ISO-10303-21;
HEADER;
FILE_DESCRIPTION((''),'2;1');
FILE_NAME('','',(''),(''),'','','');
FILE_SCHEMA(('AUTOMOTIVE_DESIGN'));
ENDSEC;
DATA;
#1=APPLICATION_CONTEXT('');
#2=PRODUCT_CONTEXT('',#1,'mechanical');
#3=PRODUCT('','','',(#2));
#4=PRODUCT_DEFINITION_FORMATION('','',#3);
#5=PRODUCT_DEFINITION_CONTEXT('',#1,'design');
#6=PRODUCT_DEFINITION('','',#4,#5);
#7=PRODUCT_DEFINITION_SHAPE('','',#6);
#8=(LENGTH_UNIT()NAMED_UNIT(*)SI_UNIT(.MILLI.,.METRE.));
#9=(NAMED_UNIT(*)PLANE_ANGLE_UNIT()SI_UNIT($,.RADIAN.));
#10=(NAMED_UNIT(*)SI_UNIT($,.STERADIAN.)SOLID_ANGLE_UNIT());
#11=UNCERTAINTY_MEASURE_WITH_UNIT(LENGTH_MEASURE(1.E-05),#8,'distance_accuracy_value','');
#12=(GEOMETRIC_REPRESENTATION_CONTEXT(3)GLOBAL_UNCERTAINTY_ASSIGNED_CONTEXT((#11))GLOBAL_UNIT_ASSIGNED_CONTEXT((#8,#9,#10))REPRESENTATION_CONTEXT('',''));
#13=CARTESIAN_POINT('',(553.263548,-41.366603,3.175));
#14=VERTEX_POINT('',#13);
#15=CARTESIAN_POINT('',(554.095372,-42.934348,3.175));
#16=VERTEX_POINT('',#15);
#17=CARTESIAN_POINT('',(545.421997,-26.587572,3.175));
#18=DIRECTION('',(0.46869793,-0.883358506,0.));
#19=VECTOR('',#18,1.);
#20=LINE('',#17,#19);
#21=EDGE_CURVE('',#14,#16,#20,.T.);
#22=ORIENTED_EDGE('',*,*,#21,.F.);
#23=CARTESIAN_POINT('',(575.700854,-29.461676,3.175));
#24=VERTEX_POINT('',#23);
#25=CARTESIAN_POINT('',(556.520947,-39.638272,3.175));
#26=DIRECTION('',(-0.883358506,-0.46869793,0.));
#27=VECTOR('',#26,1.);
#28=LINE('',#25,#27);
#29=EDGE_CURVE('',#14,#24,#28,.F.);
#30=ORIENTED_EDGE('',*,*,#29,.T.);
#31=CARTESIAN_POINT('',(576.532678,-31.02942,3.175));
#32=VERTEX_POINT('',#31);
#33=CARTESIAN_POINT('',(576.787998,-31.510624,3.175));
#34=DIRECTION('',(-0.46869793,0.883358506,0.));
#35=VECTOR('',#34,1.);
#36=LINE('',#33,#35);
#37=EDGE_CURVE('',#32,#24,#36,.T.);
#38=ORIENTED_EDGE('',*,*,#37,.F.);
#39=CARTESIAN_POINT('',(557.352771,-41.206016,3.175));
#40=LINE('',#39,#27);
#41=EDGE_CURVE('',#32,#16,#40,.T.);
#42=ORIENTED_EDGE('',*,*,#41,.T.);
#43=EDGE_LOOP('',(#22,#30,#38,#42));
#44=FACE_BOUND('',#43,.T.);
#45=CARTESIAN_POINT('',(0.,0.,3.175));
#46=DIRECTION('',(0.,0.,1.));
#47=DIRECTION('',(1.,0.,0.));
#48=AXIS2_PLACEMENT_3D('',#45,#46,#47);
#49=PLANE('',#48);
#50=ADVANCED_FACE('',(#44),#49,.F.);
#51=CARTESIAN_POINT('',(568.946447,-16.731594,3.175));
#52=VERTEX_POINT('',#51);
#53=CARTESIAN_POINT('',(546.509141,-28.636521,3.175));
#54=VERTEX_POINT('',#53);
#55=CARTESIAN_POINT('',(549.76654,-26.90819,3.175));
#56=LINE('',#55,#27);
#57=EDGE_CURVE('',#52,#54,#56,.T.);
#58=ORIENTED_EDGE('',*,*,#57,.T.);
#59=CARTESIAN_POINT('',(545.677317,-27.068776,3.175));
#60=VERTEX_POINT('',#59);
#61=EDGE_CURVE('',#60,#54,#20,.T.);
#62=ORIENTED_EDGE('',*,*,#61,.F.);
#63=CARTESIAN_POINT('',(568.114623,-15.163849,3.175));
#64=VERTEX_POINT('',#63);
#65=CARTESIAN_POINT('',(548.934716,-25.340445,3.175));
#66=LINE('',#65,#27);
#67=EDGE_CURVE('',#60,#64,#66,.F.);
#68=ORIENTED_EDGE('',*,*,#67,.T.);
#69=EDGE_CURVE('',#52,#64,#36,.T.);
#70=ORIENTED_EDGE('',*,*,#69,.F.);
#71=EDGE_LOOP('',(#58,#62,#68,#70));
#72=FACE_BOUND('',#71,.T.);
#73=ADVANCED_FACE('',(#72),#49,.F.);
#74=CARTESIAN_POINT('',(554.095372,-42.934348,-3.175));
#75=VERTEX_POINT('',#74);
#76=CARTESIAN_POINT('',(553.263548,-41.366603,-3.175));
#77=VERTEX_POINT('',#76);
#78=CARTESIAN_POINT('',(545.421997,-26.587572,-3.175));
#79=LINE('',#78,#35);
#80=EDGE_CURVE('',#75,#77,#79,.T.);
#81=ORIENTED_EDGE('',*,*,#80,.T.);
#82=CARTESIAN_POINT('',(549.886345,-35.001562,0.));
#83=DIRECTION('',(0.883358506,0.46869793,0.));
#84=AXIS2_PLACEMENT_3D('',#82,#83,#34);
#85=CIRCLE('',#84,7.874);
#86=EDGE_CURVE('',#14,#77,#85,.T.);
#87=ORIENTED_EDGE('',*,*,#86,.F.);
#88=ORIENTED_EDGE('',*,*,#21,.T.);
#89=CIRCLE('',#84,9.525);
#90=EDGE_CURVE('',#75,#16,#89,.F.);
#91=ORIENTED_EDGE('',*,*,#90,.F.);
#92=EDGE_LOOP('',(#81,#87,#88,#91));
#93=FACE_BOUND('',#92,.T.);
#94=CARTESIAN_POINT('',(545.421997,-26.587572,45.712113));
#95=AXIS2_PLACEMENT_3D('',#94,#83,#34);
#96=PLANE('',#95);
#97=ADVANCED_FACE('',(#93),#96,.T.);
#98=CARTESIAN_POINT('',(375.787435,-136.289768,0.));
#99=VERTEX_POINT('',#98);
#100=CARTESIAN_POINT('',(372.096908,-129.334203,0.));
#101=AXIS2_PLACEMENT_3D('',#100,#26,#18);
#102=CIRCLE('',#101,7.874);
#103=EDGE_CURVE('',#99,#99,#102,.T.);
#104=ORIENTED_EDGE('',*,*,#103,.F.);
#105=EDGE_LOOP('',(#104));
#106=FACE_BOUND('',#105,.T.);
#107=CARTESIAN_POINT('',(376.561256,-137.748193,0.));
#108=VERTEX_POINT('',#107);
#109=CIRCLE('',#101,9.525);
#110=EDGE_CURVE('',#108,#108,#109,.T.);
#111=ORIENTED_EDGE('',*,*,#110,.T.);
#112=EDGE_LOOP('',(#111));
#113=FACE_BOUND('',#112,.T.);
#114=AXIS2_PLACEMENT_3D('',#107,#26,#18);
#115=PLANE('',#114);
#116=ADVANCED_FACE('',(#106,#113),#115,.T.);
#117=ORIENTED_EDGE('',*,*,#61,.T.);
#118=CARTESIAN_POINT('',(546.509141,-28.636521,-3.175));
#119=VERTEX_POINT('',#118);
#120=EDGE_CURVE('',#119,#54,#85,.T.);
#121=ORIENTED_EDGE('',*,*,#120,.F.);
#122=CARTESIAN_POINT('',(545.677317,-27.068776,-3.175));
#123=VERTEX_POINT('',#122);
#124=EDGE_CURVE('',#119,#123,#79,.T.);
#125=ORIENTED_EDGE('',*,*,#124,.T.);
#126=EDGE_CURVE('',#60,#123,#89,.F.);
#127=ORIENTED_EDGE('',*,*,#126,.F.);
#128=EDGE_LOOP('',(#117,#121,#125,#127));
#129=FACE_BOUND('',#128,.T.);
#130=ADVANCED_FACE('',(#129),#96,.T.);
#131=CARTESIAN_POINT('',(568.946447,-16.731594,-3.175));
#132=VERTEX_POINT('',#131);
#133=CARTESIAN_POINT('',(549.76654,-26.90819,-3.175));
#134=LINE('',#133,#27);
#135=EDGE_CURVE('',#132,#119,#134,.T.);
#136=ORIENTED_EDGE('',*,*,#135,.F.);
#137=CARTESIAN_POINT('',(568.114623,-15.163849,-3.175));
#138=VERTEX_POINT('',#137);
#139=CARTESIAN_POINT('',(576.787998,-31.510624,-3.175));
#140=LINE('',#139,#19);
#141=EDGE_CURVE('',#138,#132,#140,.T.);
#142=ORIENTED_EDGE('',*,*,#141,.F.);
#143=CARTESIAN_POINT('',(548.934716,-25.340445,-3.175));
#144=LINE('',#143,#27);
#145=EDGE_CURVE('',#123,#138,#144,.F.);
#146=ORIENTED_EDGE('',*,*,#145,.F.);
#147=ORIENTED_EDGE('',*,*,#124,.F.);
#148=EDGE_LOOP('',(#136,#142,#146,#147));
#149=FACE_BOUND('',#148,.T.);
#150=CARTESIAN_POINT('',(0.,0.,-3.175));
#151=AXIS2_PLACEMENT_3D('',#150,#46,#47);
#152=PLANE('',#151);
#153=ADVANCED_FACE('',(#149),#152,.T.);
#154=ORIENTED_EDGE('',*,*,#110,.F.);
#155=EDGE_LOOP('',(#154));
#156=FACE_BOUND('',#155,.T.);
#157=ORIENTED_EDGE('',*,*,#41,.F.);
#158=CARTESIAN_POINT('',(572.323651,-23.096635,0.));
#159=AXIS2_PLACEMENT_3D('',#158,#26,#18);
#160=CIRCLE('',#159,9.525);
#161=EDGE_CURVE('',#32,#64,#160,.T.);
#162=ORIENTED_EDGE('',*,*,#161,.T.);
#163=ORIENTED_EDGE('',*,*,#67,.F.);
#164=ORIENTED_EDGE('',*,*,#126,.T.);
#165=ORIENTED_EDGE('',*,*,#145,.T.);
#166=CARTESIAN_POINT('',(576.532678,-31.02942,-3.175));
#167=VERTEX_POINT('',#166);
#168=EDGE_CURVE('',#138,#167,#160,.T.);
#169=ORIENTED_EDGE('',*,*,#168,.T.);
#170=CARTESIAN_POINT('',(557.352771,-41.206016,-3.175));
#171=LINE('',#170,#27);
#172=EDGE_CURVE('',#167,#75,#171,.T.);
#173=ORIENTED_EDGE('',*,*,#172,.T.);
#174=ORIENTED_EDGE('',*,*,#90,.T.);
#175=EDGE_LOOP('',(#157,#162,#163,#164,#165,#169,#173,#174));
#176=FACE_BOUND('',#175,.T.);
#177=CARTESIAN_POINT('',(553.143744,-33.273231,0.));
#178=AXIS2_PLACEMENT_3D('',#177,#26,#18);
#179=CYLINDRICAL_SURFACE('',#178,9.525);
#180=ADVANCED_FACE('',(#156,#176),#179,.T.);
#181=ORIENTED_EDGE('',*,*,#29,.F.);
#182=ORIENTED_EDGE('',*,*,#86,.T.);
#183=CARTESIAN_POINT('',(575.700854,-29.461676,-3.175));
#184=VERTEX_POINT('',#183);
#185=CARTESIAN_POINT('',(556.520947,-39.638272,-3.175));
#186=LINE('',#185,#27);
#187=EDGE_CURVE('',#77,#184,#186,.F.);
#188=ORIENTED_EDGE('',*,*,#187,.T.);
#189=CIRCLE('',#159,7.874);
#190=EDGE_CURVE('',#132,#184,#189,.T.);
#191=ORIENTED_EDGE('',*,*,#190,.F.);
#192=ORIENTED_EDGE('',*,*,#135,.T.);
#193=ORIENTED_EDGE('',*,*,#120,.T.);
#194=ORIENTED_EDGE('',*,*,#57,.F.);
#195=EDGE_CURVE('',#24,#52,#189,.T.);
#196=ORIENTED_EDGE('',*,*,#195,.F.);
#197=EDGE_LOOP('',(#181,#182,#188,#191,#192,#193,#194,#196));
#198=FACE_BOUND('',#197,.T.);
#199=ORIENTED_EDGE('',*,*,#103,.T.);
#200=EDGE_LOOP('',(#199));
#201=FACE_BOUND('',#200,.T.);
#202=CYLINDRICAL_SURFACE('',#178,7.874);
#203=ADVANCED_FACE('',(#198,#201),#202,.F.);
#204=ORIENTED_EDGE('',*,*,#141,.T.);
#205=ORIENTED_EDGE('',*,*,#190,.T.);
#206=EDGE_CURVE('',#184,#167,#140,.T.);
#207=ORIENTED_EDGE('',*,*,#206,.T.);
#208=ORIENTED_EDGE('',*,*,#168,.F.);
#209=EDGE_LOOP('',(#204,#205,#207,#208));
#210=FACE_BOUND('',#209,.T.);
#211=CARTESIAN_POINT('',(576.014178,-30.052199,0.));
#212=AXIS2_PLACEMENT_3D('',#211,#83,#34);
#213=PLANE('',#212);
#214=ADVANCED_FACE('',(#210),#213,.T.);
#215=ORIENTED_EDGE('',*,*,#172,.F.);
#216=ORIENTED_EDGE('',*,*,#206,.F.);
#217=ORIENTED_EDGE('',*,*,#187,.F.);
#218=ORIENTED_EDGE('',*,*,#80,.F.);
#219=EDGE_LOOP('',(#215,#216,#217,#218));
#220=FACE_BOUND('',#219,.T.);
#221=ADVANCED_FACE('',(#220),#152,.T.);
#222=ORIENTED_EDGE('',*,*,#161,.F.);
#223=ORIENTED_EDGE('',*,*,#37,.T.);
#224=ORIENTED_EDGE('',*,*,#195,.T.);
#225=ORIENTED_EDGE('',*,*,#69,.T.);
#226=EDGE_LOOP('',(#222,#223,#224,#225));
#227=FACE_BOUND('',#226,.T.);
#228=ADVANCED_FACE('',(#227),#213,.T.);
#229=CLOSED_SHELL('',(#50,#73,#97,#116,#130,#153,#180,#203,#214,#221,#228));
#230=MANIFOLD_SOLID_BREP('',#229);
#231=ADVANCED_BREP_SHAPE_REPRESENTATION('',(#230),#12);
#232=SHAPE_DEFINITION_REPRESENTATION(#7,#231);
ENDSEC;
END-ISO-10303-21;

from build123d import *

# Parameters (mm, degrees)
CUT_EXTRUDE1_START = -3.175
CUT_EXTRUDE1_DEPTH = 6.35


with BuildPart() as part:
    # Sketch1 → Revolve1 (revolve)
    with BuildSketch(Plane.XY):
        Polygon((375.787435481, -136.289767997), (576.014178169, -30.052199471), (576.787998451, -31.510624365), (376.561255763, -137.74819289), align=None)
    revolve(axis=Axis((553.143743583, -33.273230716, 0), (0.883358506, 0.46869793, 0)))

    # Sketch2 → Cut-Extrude1 (cut)
    with BuildSketch(Plane.XY.offset(CUT_EXTRUDE1_START)):
        Polygon((545.421996828, -26.587572245), (554.350692395, -43.415551787), (576.787998451, -31.510624365), (567.859302885, -14.682644822), align=None)
    extrude(amount=CUT_EXTRUDE1_DEPTH, mode=Mode.SUBTRACT)


solid = part.part
